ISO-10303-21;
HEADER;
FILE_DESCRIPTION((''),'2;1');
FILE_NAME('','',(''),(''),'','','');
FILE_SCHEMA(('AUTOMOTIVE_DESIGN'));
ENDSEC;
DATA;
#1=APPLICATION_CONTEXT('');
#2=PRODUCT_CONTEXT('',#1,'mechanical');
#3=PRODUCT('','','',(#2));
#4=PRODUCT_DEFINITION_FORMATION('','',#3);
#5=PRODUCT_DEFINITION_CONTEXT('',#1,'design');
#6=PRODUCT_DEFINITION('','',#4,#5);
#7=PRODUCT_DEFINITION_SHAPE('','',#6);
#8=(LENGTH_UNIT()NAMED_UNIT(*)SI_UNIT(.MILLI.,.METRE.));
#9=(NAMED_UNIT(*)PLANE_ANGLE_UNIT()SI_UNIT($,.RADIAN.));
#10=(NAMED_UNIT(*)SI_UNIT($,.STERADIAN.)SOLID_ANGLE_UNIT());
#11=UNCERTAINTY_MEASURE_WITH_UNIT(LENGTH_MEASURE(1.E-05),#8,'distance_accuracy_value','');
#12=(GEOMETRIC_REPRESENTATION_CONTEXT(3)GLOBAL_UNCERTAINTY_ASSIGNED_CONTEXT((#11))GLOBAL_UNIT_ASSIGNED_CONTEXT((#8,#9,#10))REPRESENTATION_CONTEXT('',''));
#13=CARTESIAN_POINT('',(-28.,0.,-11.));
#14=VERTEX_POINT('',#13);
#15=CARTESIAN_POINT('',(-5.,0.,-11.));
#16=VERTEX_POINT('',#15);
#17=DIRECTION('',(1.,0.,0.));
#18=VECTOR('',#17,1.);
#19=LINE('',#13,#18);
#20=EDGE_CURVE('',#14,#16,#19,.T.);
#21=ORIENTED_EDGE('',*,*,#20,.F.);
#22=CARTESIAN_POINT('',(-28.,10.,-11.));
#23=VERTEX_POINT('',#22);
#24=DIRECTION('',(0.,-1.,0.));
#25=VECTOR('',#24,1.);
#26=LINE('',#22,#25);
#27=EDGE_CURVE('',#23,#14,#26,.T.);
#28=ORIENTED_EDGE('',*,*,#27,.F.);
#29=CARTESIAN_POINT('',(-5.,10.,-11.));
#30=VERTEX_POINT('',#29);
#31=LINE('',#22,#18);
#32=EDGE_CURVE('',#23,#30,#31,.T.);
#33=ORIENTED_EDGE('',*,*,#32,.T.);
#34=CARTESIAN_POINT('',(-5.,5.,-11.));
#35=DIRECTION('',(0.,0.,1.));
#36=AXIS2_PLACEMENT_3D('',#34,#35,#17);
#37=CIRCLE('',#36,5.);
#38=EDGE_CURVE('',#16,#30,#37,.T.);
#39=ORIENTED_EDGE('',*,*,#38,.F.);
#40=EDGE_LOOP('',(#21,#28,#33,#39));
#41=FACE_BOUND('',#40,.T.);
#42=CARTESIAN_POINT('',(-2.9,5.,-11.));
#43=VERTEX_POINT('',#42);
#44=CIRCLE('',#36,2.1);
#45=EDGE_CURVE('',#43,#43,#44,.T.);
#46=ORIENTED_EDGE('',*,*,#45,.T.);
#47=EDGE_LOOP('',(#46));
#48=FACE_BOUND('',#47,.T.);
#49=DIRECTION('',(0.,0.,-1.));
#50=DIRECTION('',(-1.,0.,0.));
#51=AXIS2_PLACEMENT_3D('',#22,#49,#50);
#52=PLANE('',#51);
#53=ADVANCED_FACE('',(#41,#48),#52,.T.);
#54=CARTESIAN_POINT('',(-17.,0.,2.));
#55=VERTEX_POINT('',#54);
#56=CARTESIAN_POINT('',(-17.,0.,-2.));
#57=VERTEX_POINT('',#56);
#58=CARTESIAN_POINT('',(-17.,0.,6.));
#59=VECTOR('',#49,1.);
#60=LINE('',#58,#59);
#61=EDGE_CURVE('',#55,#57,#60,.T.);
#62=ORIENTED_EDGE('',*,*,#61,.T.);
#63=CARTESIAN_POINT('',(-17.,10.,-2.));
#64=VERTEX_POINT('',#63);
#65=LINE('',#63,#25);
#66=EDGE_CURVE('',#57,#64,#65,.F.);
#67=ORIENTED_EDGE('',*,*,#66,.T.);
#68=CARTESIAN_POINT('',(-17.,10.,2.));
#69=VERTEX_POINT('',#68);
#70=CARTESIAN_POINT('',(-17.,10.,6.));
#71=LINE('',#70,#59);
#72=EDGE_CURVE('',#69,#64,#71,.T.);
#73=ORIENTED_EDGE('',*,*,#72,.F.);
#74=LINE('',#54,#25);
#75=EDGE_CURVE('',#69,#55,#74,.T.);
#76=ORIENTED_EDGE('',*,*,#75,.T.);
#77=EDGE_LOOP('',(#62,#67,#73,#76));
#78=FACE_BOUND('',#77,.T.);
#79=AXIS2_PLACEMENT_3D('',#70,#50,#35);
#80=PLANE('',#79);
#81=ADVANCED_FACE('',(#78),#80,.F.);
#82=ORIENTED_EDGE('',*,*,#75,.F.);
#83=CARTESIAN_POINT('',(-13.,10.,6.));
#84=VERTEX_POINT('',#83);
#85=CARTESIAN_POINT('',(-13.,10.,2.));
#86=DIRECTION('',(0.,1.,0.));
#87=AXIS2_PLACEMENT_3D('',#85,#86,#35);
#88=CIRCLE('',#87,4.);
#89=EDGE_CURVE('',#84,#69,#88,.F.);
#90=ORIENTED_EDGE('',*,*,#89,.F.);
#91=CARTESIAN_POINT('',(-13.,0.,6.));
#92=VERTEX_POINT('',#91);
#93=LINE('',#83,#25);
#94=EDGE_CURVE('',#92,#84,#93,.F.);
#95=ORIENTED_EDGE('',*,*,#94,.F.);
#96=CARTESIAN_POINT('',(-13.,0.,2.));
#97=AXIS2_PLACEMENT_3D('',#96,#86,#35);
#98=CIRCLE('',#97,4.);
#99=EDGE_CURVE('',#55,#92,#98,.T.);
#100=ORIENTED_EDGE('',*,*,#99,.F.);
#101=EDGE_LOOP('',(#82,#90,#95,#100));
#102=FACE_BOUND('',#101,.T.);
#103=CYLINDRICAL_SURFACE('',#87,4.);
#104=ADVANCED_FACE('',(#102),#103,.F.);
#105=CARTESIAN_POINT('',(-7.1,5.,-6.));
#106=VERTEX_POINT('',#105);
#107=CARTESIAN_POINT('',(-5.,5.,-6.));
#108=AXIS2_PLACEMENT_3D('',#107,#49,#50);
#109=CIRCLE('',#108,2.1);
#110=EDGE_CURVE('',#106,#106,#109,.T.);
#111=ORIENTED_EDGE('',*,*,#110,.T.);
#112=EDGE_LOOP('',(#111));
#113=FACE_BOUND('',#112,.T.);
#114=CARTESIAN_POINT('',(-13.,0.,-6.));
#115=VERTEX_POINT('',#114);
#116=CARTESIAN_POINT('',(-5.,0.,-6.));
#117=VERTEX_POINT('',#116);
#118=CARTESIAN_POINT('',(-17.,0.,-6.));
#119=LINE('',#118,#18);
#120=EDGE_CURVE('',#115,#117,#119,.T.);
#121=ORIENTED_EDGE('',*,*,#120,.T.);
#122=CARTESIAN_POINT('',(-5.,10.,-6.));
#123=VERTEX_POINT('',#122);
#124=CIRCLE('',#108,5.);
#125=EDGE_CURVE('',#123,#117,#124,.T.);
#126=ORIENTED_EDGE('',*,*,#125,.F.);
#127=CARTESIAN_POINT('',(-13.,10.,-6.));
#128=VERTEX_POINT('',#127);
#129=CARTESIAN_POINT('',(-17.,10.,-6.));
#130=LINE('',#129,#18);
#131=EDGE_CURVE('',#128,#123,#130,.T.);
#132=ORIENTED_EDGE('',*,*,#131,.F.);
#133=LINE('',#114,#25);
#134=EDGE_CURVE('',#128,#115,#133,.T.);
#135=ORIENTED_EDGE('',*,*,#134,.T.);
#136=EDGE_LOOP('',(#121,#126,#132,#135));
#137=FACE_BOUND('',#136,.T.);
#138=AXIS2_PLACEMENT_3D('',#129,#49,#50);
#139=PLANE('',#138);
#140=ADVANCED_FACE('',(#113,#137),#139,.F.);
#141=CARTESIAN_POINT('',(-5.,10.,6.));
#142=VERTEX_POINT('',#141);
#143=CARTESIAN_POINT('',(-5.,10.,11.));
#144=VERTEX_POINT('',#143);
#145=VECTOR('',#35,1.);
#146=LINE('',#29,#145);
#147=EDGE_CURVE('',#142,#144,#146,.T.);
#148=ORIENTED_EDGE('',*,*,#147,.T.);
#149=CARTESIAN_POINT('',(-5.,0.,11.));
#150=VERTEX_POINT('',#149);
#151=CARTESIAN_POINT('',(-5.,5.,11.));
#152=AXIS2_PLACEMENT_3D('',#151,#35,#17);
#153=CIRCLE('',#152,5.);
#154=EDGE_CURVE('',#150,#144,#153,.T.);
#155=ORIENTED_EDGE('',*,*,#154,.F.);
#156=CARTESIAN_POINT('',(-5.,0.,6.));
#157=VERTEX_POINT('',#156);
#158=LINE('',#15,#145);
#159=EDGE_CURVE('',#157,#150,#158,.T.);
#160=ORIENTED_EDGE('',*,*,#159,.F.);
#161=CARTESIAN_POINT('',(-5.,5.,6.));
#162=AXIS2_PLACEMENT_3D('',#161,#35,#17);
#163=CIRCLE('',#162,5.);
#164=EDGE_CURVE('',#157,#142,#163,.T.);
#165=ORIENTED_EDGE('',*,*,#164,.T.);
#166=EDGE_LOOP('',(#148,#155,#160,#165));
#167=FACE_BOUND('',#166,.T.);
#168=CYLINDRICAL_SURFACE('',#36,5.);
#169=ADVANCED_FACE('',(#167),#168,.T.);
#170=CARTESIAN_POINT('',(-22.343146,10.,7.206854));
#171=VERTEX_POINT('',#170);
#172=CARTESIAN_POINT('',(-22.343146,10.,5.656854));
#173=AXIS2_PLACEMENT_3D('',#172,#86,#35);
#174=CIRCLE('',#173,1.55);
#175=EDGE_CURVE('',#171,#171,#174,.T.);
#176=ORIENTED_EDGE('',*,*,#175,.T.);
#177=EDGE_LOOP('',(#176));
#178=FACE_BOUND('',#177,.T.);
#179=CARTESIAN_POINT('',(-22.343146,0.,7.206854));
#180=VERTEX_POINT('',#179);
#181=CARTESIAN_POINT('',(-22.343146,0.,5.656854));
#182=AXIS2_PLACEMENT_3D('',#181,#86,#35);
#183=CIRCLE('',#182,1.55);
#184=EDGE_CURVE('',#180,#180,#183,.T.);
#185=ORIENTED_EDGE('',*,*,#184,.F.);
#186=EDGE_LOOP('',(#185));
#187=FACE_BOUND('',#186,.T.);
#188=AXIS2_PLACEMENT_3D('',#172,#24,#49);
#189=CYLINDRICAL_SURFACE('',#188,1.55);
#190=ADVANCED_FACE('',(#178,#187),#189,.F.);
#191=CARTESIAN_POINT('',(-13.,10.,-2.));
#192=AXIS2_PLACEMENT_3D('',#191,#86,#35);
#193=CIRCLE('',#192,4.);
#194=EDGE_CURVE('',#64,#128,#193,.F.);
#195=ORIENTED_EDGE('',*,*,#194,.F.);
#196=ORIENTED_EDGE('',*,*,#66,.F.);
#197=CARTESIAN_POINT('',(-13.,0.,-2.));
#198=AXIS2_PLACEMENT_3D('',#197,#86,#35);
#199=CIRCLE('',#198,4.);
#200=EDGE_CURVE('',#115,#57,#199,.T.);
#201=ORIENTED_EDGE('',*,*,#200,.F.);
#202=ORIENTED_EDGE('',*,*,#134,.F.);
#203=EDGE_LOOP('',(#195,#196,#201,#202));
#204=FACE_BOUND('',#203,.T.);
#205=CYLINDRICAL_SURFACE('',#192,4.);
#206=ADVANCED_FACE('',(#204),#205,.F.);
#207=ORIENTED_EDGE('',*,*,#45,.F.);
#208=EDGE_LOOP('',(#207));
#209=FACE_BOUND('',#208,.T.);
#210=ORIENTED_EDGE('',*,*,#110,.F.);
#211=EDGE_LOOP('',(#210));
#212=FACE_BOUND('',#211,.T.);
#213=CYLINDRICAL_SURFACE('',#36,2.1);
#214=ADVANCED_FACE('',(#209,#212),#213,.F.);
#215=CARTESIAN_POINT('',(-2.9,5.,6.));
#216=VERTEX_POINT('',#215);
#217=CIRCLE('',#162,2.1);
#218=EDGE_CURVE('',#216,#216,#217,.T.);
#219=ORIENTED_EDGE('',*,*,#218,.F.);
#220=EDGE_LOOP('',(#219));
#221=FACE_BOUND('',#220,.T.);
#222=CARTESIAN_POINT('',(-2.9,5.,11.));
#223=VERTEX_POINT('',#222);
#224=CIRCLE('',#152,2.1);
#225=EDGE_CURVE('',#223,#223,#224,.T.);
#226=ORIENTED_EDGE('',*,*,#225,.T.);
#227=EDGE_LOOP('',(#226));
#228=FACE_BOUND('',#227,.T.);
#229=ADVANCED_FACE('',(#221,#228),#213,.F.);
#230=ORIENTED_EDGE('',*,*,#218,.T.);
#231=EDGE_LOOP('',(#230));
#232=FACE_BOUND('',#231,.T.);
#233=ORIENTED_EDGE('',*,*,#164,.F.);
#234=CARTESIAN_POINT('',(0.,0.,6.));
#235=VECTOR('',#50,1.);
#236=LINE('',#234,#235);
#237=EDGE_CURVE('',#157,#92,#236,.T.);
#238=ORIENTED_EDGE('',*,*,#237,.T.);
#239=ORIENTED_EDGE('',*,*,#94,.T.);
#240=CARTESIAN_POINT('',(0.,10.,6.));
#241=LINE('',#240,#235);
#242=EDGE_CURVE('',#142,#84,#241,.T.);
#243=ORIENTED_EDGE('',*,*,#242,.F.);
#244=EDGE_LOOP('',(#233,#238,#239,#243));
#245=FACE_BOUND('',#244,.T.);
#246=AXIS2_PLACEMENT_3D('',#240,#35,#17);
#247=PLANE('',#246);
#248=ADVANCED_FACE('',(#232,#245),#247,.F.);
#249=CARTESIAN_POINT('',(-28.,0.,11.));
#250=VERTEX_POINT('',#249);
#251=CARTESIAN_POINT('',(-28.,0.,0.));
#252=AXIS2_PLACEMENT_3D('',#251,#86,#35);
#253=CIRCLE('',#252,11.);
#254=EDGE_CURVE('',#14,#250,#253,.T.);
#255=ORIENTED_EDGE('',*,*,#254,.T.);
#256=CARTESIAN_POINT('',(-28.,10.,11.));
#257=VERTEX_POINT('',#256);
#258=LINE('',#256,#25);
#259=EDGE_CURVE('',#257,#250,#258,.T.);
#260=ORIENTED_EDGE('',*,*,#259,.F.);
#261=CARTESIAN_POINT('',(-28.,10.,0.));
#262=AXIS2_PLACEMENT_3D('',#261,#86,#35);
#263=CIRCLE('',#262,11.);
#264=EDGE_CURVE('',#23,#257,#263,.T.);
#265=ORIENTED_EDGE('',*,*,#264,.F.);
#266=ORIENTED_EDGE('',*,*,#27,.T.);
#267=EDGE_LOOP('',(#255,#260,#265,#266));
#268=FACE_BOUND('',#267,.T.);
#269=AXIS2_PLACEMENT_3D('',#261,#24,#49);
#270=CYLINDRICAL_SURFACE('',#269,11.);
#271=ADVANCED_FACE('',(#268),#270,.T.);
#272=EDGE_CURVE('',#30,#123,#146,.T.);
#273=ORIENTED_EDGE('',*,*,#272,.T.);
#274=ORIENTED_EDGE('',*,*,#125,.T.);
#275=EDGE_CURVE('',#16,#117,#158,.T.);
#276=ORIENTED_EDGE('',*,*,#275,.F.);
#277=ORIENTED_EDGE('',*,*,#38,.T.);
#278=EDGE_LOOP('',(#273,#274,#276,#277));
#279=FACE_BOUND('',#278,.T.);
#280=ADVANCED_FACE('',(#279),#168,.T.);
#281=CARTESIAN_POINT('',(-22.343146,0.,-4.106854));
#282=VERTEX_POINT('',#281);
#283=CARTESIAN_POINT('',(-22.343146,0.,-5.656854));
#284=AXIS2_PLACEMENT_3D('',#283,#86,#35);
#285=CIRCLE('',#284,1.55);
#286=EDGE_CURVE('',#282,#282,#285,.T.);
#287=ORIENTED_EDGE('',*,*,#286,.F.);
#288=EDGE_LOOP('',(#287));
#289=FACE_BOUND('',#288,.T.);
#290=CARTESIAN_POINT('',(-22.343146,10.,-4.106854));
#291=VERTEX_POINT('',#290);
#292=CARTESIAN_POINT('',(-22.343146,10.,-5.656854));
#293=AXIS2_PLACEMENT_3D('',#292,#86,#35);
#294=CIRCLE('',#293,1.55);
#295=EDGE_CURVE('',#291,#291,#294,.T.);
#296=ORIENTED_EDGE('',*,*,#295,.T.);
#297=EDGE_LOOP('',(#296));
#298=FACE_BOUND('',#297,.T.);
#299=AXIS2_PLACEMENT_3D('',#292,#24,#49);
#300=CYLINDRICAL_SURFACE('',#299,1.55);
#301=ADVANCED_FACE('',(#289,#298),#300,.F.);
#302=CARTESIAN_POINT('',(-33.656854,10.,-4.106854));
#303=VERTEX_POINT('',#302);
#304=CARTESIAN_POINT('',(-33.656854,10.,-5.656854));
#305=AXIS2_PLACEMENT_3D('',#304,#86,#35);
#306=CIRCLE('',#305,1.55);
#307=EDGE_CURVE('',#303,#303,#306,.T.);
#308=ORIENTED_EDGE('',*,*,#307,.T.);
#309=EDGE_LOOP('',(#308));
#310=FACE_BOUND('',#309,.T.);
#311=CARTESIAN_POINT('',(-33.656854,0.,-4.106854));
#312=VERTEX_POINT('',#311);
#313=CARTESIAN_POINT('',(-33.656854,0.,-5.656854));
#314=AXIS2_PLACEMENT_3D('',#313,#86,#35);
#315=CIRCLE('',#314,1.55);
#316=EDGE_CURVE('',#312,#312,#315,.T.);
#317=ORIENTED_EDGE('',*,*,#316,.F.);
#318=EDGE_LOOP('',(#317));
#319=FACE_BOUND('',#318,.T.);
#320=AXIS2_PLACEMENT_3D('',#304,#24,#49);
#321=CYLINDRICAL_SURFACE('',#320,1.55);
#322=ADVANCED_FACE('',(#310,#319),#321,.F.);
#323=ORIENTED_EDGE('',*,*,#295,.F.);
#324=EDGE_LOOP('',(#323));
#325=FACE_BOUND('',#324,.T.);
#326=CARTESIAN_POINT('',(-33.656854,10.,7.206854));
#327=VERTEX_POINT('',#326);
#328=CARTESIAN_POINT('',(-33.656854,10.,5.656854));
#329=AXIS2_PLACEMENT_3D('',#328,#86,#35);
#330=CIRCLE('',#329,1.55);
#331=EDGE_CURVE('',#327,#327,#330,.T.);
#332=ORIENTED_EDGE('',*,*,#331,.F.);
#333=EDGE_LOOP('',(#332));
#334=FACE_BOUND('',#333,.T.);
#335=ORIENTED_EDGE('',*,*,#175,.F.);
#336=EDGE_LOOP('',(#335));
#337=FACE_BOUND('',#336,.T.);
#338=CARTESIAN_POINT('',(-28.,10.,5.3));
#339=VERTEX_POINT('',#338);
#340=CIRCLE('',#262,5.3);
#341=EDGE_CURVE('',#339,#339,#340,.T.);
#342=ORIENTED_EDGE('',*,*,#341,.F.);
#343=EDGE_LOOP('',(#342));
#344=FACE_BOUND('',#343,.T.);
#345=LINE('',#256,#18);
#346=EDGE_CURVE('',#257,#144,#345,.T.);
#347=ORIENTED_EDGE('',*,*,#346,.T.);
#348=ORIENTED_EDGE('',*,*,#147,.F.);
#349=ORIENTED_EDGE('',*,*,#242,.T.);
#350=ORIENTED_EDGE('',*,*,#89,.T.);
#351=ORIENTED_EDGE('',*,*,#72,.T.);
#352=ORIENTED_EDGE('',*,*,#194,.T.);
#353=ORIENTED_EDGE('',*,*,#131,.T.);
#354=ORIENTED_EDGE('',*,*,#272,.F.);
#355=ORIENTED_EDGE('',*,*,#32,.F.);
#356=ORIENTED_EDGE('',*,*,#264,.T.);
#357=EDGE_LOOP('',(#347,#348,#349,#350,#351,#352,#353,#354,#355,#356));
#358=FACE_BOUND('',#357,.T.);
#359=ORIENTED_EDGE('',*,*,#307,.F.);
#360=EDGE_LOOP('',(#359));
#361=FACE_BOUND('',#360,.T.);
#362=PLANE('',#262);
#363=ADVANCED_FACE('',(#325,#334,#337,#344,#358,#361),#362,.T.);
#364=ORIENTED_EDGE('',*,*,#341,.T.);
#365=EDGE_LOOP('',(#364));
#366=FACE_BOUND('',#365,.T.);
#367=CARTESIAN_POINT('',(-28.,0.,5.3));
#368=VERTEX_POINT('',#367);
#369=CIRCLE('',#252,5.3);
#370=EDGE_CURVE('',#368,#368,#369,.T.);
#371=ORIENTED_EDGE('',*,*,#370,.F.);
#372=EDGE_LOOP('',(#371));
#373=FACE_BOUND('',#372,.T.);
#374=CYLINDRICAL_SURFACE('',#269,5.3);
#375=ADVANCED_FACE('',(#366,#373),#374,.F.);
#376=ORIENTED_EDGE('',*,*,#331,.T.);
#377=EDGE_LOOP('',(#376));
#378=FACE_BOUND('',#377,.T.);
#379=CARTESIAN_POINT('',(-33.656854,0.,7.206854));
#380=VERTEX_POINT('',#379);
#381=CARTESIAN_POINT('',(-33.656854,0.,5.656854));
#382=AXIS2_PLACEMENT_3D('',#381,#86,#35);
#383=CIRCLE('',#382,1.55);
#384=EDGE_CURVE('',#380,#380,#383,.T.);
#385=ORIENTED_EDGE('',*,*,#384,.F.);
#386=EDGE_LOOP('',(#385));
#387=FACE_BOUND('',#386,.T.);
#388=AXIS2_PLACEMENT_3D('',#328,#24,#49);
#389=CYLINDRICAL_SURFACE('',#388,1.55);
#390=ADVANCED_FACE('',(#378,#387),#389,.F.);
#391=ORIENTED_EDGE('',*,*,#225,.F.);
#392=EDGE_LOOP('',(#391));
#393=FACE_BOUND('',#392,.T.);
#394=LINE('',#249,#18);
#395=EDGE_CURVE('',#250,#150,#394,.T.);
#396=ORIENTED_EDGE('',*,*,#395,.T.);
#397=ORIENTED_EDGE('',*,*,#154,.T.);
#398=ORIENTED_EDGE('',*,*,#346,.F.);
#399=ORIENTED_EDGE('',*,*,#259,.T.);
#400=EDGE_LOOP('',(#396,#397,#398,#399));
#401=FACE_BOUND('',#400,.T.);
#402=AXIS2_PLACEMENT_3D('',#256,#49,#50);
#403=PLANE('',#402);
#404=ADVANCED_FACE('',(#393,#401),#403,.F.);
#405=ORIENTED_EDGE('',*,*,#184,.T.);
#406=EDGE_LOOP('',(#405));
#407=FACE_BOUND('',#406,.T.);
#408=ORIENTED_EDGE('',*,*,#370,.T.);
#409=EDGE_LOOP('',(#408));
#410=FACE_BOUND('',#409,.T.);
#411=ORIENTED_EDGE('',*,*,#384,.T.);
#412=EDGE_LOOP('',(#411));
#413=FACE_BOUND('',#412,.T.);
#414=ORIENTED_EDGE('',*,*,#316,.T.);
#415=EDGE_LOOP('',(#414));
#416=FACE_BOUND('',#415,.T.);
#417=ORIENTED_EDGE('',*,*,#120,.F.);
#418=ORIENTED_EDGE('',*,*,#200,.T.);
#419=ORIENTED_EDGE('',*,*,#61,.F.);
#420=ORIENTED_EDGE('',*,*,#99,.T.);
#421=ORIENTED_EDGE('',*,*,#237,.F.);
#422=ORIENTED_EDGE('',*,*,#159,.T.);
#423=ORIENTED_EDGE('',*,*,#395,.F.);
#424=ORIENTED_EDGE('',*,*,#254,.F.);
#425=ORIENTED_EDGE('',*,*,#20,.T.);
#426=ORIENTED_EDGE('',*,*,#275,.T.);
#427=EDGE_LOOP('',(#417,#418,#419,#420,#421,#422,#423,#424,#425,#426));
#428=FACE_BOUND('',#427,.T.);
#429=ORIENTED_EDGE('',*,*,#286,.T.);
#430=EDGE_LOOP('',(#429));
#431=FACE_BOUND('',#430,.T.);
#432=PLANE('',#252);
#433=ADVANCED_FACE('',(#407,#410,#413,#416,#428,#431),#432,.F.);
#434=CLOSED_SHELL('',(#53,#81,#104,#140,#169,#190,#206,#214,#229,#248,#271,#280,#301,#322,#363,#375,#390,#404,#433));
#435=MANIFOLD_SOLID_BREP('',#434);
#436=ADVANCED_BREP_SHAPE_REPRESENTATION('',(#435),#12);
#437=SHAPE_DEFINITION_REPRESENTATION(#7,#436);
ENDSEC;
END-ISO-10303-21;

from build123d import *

# Parameters (mm, degrees)
SKETCH2_R           = 1.55
SKETCH2_R_2         = 5.3
BOSS_EXTRUDE2_DEPTH = 10
SKETCH7_R           = 2.1
CUT_EXTRUDE2_DEPTH  = 46.880278988
FILLET1_R           = 4


with BuildPart() as part:
    # Sketch2 → Boss-Extrude2 (new body)
    with BuildSketch(Plane(origin=(0, 0, 0), x_dir=(1, 0, 0), z_dir=(0, 1, 0))):
        with BuildLine():
            ThreePointArc((-28, 11), (-39, 0), (-28, -11))
            Line((-28, -11), (0, -11))
            Line((0, -11), (0, -6))
            Line((0, -6), (-17, -6))
            Line((-17, -6), (-17, 6))
            Line((-17, 6), (0, 6))
            Line((0, 6), (0, 11))
            Line((0, 11), (-28, 11))
        make_face()
        with Locations((-33.656854249, -5.656854249)):
            Circle(SKETCH2_R, mode=Mode.SUBTRACT)
        with Locations((-22.343145751, -5.656854249)):
            Circle(SKETCH2_R, mode=Mode.SUBTRACT)
        with Locations((-28, 0)):
            Circle(SKETCH2_R_2, mode=Mode.SUBTRACT)
        with Locations((-33.656854249, 5.656854249)):
            Circle(SKETCH2_R, mode=Mode.SUBTRACT)
        with Locations((-22.343145751, 5.656854249)):
            Circle(SKETCH2_R, mode=Mode.SUBTRACT)
    extrude(amount=BOSS_EXTRUDE2_DEPTH)

    # Sketch7 → Cut-Extrude2 (cut, through all)
    with BuildSketch(Plane.XY.offset(11)):
        with BuildLine():
            Line((0, 10), (-5, 10))
            ThreePointArc((-5, 10), (-1.464466094, 8.535533906), (0, 5))
            Line((0, 5), (0, 10))
        make_face()
        with BuildLine():
            Line((0, 0), (0, 5))
            ThreePointArc((0, 5), (-1.464466094, 1.464466094), (-5, 0))
            Line((-5, 0), (0, 0))
        make_face()
        with Locations((-5, 5)):
            Circle(SKETCH7_R)
    extrude(amount=-CUT_EXTRUDE2_DEPTH, mode=Mode.SUBTRACT)

    # Fillet1
    fillet1_edges = [part.edges().sort_by_distance(p)[0] for p in [
        (-17, 5, -6),
        (-17, 5, 6),
    ]]
    fillet(fillet1_edges, radius=FILLET1_R)


solid = part.part
